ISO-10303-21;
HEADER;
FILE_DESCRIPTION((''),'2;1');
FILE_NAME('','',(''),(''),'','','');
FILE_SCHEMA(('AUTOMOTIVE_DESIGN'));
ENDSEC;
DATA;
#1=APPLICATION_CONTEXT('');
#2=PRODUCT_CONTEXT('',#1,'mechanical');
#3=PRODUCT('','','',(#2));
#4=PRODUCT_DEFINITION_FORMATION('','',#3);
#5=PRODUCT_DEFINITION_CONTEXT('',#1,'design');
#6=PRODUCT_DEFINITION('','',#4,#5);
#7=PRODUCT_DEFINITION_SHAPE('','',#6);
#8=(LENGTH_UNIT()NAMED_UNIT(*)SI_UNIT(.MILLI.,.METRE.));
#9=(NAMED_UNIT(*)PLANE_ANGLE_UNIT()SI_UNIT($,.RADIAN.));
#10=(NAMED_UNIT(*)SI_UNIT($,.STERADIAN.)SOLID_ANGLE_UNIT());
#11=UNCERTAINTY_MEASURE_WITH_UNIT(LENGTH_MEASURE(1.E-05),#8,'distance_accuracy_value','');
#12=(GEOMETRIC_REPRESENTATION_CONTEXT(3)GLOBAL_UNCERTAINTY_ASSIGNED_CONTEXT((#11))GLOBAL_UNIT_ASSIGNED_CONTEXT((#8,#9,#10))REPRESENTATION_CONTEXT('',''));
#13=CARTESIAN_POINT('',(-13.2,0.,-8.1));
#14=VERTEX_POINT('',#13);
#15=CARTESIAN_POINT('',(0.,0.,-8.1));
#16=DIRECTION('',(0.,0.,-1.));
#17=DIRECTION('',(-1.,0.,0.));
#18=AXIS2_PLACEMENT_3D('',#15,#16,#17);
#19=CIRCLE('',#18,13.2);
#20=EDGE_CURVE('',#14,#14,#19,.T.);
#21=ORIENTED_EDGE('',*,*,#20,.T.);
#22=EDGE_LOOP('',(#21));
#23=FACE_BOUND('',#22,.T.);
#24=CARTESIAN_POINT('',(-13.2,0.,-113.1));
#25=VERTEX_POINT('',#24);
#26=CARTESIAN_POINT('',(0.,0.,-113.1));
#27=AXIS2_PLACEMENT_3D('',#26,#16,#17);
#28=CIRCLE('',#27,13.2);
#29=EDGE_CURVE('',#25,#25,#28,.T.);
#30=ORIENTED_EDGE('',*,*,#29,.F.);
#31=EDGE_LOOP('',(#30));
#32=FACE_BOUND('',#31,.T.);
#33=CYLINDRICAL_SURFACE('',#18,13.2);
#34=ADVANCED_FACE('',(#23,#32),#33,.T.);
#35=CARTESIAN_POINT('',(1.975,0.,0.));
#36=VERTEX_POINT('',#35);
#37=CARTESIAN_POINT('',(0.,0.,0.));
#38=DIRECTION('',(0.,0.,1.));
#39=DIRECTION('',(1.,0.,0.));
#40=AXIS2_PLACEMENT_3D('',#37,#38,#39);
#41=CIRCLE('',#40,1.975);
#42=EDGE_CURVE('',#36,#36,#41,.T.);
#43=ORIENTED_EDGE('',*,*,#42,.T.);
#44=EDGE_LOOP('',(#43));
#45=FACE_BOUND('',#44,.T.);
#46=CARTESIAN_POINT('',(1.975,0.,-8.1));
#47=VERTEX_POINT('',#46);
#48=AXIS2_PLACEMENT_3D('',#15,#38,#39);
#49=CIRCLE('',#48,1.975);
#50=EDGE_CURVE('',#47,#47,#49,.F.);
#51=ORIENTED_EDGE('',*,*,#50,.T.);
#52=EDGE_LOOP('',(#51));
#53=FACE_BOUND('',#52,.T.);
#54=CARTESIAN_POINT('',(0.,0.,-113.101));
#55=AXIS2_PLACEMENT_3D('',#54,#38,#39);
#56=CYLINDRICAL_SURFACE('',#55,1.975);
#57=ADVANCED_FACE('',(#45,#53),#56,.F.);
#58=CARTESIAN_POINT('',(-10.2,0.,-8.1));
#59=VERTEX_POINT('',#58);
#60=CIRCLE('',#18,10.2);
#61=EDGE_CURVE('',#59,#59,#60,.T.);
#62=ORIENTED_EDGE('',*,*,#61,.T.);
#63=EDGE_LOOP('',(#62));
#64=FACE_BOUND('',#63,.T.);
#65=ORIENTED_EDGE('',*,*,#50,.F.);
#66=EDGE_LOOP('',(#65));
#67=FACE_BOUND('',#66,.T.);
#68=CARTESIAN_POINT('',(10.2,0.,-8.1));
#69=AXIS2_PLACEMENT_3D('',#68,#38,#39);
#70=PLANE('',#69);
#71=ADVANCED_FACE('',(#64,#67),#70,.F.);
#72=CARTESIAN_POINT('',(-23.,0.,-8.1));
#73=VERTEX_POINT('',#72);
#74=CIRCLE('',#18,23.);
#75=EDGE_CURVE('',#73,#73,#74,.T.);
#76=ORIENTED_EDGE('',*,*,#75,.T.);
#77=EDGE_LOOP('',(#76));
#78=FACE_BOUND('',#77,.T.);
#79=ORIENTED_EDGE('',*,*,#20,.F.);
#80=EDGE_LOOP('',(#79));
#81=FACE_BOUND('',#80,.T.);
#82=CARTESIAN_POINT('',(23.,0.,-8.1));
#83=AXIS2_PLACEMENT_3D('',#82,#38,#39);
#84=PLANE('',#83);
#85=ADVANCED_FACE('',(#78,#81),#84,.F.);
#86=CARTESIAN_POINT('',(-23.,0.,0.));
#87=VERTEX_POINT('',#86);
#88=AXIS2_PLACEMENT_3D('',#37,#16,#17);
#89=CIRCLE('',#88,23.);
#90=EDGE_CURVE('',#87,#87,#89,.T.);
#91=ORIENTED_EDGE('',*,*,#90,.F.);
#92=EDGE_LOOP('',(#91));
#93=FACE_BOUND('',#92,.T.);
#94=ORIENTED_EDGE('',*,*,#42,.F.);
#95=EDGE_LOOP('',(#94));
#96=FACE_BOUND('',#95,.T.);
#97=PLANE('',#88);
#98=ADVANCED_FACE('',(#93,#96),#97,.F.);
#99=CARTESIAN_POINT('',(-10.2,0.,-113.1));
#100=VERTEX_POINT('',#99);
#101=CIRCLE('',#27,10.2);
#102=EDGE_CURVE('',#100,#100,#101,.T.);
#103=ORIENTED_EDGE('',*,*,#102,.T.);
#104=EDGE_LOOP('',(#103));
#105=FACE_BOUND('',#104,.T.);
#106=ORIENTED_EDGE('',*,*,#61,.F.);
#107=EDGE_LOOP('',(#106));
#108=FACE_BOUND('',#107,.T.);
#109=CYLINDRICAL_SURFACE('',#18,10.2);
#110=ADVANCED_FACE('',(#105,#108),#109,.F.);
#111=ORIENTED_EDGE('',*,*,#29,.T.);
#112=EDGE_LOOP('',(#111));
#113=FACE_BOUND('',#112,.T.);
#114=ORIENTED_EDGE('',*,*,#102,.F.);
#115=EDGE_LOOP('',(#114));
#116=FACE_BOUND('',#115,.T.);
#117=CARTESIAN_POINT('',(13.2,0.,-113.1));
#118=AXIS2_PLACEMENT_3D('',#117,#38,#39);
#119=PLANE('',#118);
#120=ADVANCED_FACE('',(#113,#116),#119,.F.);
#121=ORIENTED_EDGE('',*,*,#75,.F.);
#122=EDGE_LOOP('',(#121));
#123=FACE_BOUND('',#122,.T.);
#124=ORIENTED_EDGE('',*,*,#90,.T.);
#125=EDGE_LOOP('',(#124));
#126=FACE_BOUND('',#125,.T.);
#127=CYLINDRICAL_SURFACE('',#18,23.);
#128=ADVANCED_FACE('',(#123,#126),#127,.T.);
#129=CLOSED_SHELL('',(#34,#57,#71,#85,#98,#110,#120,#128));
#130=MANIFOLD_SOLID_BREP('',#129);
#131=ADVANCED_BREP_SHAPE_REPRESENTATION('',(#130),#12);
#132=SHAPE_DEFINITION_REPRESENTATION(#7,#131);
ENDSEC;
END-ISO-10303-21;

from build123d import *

# Parameters (mm, degrees)
CUT_EXTRUDE1_REACH = 119.684
SKETCH2_R          = 1.975


with BuildPart() as part:
    # Sketch1 → Revolve1 (revolve)
    with BuildSketch(Plane(origin=(0, 0, 0), x_dir=(1, 0, 0), z_dir=(0, 1, 0)), mode=Mode.PRIVATE) as revolve1_sk:
        Polygon((0, 0), (23, 0), (23, 8.1), (13.2, 8.1), (13.2, 113.1), (10.2, 113.1), (10.2, 8.1), (0, 8.1), align=None)
    revolve(revolve1_sk.sketch.rotate(Axis((0, 0, -8.1), (0, 0, 1)), 180), axis=Axis((0, 0, -8.1), (0, 0, 1)))

    # Sketch2 → Cut-Extrude1 (cut, up to next)
    with BuildSketch(Plane.XY, mode=Mode.PRIVATE) as cut_extrude1_sk1:
        Circle(SKETCH2_R)
    cut_extrude1_tool1 = extrude(cut_extrude1_sk1.sketch, amount=-CUT_EXTRUDE1_REACH, mode=Mode.PRIVATE) & part.part
    add(cut_extrude1_tool1.solids().sort_by_distance((0, 0, 0))[0], mode=Mode.SUBTRACT)


solid = part.part
